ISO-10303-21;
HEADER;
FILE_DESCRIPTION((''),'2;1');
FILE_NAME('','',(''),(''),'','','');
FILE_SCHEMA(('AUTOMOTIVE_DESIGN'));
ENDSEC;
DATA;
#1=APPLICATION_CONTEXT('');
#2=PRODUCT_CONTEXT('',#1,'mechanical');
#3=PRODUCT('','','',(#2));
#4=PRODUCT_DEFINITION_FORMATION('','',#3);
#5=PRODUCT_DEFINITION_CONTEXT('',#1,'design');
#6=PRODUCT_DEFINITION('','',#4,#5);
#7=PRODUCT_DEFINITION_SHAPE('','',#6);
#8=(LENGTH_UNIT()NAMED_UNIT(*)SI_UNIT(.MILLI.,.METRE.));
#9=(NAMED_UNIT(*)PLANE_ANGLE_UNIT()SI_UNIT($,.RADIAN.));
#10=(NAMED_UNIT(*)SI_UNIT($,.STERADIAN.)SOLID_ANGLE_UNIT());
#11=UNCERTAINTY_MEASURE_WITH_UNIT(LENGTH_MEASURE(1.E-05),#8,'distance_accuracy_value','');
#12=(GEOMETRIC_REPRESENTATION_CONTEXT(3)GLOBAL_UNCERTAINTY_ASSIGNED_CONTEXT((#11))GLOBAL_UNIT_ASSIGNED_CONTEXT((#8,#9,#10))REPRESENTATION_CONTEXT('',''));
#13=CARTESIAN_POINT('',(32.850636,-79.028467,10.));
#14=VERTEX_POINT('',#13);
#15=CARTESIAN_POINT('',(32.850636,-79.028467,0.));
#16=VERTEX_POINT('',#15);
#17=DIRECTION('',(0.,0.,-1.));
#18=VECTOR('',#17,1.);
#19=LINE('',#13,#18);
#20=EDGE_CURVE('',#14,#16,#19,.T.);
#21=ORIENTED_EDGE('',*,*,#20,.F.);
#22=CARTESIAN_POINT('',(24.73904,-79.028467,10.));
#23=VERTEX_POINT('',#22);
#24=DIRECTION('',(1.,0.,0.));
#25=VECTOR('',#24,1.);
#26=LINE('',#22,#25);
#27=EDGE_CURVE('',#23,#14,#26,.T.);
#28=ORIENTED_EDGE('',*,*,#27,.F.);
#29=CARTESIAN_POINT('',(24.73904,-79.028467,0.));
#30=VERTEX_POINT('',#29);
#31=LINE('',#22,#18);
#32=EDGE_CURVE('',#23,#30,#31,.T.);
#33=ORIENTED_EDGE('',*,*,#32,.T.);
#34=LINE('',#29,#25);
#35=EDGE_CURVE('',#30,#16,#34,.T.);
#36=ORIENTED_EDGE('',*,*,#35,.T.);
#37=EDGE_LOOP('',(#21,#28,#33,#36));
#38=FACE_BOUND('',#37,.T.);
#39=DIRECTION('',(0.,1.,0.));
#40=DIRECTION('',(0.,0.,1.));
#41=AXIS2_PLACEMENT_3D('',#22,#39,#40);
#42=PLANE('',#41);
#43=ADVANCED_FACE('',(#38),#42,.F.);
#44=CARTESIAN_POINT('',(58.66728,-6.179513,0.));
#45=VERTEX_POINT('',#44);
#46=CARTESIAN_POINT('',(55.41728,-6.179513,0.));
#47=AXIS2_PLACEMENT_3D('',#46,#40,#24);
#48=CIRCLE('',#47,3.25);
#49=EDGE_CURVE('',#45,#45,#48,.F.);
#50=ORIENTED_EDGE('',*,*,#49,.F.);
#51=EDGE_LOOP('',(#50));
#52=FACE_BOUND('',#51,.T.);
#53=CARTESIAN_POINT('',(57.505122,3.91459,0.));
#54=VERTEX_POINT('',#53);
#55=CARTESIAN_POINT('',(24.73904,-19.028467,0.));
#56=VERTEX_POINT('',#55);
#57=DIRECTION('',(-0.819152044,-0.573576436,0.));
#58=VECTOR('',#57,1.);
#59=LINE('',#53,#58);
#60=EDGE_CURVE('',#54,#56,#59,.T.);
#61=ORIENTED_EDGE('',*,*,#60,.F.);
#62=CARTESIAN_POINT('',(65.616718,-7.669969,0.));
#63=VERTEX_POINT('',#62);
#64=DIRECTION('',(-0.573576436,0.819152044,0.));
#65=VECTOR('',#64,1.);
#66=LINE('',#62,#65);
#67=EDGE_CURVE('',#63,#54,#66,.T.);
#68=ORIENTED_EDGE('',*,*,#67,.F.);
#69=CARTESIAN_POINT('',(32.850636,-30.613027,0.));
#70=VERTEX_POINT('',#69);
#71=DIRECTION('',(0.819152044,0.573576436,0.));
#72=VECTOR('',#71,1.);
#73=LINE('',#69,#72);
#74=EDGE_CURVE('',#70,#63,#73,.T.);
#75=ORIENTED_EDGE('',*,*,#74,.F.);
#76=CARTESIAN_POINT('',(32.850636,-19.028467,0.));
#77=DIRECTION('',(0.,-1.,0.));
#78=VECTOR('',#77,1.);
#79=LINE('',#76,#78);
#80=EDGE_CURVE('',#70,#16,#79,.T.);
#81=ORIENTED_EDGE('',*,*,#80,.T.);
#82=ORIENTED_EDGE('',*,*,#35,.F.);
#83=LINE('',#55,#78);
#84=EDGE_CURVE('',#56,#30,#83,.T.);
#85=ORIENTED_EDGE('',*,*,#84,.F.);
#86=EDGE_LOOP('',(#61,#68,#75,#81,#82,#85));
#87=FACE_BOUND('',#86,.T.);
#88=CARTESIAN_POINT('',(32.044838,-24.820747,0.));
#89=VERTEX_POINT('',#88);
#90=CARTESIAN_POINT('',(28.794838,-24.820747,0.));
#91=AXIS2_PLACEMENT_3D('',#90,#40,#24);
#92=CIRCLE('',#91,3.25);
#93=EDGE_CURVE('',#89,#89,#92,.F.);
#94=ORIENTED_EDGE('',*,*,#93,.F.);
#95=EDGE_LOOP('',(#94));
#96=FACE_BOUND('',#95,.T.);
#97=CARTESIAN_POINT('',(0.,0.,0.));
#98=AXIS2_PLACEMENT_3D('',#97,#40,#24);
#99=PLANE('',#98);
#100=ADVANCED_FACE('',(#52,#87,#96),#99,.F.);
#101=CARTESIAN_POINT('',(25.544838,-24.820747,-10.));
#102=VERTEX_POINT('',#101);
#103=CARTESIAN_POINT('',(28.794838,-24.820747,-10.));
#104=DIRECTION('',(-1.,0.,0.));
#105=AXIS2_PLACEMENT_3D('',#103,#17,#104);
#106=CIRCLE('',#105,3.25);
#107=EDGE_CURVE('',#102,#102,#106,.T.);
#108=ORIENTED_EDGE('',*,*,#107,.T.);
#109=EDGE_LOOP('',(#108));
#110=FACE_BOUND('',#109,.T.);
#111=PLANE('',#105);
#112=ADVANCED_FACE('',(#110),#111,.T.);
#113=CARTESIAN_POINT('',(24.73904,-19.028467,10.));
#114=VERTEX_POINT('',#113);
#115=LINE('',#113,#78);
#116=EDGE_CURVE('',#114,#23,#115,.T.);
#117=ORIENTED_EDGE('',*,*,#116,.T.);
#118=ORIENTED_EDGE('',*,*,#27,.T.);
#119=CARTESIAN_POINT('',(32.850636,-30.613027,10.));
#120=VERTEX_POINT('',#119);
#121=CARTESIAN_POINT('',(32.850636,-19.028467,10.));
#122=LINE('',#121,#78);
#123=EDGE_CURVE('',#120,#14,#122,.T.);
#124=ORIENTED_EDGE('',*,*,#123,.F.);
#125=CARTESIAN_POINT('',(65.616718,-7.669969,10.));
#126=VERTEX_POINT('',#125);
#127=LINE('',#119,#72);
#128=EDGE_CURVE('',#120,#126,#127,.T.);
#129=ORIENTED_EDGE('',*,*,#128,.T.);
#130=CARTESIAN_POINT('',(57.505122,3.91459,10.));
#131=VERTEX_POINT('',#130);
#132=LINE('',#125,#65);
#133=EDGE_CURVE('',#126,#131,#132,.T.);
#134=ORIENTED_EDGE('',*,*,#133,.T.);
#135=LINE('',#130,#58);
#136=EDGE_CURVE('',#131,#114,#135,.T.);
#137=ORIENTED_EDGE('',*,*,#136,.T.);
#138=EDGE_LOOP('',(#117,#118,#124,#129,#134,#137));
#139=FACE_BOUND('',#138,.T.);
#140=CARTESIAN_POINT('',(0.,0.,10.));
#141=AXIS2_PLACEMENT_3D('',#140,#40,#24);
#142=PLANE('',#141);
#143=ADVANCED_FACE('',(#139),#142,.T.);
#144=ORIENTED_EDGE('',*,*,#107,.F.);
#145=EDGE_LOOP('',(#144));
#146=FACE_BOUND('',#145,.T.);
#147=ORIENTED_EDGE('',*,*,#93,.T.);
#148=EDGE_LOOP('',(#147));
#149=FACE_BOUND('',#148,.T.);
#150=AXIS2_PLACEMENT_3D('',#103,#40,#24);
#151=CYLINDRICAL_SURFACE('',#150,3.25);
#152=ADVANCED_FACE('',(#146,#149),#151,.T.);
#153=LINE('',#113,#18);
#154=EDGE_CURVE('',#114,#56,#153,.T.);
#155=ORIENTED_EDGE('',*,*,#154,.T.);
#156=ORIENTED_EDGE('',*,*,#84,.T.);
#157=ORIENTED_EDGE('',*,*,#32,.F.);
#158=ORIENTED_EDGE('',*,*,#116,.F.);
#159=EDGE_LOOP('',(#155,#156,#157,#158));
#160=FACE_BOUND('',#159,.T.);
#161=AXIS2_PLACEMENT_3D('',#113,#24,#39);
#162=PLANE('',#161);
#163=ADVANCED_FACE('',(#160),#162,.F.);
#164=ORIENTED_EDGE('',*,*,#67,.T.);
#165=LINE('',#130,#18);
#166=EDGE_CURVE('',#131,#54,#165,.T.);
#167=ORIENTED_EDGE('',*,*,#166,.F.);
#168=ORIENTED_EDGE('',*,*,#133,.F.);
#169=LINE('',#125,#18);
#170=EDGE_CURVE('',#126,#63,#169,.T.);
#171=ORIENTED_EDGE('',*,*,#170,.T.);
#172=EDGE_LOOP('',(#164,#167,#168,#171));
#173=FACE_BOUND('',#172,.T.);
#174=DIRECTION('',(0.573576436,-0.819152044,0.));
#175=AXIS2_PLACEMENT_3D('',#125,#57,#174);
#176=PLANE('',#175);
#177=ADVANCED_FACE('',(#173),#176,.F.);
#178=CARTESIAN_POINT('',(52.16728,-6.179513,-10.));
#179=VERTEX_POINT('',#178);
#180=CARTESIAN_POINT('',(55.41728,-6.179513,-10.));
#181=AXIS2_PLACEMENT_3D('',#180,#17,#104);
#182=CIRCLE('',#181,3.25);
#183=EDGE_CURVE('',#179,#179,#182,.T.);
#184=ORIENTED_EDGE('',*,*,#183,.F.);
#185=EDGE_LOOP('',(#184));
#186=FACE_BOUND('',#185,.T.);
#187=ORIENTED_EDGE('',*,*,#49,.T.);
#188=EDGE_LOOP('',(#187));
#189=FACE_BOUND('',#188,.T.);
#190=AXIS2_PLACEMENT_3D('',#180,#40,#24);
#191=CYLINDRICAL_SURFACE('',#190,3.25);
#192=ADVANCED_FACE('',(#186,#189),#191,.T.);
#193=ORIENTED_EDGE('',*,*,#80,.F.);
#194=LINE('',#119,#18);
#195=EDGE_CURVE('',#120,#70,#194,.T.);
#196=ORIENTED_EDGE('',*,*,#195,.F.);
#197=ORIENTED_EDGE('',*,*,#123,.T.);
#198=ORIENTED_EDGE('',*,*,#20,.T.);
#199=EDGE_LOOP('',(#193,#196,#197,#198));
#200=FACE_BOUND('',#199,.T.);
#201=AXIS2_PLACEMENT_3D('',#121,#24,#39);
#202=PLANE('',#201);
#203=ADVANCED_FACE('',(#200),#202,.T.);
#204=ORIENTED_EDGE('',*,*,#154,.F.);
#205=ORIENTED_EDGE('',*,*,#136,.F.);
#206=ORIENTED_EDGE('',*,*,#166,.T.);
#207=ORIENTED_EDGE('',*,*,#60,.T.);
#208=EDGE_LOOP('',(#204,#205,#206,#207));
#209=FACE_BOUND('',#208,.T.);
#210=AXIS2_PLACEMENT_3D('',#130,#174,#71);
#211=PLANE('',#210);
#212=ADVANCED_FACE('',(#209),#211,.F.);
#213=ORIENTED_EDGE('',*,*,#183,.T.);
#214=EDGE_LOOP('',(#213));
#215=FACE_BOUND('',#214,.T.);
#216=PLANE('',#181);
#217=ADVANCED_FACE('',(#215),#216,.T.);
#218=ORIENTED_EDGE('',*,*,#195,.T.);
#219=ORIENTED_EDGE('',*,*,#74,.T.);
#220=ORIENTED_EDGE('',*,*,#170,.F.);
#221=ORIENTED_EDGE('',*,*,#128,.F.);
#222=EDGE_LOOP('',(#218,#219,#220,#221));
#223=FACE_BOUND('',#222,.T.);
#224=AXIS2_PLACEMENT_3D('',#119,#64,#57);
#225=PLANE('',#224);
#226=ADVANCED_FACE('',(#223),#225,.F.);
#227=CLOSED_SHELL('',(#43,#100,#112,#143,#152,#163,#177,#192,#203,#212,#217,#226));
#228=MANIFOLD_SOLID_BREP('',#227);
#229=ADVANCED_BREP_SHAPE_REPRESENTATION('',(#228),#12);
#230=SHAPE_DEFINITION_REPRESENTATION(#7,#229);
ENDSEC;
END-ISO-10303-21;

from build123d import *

# Parameters (mm, degrees)
BOSS_EXTRUDE1_DEPTH = 10
SKETCH3_R           = 3.25
BOSS_EXTRUDE3_DEPTH = 10


with BuildPart() as part:
    # Sketch1 → Boss-Extrude1 (new body)
    with BuildSketch(Plane.XY):
        Polygon((57.505122166, 3.914590247), (24.739040394, -19.028467207), (24.739040394, -79.028467207), (32.850636148, -79.028467207), (32.850636148, -30.613026513), (65.616717919, -7.669969059), align=None)
    extrude(amount=BOSS_EXTRUDE1_DEPTH)

    # Sketch3 → Boss-Extrude3 (add)
    with BuildSketch(Plane(origin=(0, 0, 0), x_dir=(-1, 0, 0), z_dir=(0, 0, -1))):
        with Locations(Location((-55.41727971, -6.179512679, 0), (0, 0, 180))):
            Circle(SKETCH3_R)
        with Locations(Location((-28.794838271, -24.82074686, 0), (0, 0, 180))):
            Circle(SKETCH3_R)
    extrude(amount=BOSS_EXTRUDE3_DEPTH)


solid = part.part
